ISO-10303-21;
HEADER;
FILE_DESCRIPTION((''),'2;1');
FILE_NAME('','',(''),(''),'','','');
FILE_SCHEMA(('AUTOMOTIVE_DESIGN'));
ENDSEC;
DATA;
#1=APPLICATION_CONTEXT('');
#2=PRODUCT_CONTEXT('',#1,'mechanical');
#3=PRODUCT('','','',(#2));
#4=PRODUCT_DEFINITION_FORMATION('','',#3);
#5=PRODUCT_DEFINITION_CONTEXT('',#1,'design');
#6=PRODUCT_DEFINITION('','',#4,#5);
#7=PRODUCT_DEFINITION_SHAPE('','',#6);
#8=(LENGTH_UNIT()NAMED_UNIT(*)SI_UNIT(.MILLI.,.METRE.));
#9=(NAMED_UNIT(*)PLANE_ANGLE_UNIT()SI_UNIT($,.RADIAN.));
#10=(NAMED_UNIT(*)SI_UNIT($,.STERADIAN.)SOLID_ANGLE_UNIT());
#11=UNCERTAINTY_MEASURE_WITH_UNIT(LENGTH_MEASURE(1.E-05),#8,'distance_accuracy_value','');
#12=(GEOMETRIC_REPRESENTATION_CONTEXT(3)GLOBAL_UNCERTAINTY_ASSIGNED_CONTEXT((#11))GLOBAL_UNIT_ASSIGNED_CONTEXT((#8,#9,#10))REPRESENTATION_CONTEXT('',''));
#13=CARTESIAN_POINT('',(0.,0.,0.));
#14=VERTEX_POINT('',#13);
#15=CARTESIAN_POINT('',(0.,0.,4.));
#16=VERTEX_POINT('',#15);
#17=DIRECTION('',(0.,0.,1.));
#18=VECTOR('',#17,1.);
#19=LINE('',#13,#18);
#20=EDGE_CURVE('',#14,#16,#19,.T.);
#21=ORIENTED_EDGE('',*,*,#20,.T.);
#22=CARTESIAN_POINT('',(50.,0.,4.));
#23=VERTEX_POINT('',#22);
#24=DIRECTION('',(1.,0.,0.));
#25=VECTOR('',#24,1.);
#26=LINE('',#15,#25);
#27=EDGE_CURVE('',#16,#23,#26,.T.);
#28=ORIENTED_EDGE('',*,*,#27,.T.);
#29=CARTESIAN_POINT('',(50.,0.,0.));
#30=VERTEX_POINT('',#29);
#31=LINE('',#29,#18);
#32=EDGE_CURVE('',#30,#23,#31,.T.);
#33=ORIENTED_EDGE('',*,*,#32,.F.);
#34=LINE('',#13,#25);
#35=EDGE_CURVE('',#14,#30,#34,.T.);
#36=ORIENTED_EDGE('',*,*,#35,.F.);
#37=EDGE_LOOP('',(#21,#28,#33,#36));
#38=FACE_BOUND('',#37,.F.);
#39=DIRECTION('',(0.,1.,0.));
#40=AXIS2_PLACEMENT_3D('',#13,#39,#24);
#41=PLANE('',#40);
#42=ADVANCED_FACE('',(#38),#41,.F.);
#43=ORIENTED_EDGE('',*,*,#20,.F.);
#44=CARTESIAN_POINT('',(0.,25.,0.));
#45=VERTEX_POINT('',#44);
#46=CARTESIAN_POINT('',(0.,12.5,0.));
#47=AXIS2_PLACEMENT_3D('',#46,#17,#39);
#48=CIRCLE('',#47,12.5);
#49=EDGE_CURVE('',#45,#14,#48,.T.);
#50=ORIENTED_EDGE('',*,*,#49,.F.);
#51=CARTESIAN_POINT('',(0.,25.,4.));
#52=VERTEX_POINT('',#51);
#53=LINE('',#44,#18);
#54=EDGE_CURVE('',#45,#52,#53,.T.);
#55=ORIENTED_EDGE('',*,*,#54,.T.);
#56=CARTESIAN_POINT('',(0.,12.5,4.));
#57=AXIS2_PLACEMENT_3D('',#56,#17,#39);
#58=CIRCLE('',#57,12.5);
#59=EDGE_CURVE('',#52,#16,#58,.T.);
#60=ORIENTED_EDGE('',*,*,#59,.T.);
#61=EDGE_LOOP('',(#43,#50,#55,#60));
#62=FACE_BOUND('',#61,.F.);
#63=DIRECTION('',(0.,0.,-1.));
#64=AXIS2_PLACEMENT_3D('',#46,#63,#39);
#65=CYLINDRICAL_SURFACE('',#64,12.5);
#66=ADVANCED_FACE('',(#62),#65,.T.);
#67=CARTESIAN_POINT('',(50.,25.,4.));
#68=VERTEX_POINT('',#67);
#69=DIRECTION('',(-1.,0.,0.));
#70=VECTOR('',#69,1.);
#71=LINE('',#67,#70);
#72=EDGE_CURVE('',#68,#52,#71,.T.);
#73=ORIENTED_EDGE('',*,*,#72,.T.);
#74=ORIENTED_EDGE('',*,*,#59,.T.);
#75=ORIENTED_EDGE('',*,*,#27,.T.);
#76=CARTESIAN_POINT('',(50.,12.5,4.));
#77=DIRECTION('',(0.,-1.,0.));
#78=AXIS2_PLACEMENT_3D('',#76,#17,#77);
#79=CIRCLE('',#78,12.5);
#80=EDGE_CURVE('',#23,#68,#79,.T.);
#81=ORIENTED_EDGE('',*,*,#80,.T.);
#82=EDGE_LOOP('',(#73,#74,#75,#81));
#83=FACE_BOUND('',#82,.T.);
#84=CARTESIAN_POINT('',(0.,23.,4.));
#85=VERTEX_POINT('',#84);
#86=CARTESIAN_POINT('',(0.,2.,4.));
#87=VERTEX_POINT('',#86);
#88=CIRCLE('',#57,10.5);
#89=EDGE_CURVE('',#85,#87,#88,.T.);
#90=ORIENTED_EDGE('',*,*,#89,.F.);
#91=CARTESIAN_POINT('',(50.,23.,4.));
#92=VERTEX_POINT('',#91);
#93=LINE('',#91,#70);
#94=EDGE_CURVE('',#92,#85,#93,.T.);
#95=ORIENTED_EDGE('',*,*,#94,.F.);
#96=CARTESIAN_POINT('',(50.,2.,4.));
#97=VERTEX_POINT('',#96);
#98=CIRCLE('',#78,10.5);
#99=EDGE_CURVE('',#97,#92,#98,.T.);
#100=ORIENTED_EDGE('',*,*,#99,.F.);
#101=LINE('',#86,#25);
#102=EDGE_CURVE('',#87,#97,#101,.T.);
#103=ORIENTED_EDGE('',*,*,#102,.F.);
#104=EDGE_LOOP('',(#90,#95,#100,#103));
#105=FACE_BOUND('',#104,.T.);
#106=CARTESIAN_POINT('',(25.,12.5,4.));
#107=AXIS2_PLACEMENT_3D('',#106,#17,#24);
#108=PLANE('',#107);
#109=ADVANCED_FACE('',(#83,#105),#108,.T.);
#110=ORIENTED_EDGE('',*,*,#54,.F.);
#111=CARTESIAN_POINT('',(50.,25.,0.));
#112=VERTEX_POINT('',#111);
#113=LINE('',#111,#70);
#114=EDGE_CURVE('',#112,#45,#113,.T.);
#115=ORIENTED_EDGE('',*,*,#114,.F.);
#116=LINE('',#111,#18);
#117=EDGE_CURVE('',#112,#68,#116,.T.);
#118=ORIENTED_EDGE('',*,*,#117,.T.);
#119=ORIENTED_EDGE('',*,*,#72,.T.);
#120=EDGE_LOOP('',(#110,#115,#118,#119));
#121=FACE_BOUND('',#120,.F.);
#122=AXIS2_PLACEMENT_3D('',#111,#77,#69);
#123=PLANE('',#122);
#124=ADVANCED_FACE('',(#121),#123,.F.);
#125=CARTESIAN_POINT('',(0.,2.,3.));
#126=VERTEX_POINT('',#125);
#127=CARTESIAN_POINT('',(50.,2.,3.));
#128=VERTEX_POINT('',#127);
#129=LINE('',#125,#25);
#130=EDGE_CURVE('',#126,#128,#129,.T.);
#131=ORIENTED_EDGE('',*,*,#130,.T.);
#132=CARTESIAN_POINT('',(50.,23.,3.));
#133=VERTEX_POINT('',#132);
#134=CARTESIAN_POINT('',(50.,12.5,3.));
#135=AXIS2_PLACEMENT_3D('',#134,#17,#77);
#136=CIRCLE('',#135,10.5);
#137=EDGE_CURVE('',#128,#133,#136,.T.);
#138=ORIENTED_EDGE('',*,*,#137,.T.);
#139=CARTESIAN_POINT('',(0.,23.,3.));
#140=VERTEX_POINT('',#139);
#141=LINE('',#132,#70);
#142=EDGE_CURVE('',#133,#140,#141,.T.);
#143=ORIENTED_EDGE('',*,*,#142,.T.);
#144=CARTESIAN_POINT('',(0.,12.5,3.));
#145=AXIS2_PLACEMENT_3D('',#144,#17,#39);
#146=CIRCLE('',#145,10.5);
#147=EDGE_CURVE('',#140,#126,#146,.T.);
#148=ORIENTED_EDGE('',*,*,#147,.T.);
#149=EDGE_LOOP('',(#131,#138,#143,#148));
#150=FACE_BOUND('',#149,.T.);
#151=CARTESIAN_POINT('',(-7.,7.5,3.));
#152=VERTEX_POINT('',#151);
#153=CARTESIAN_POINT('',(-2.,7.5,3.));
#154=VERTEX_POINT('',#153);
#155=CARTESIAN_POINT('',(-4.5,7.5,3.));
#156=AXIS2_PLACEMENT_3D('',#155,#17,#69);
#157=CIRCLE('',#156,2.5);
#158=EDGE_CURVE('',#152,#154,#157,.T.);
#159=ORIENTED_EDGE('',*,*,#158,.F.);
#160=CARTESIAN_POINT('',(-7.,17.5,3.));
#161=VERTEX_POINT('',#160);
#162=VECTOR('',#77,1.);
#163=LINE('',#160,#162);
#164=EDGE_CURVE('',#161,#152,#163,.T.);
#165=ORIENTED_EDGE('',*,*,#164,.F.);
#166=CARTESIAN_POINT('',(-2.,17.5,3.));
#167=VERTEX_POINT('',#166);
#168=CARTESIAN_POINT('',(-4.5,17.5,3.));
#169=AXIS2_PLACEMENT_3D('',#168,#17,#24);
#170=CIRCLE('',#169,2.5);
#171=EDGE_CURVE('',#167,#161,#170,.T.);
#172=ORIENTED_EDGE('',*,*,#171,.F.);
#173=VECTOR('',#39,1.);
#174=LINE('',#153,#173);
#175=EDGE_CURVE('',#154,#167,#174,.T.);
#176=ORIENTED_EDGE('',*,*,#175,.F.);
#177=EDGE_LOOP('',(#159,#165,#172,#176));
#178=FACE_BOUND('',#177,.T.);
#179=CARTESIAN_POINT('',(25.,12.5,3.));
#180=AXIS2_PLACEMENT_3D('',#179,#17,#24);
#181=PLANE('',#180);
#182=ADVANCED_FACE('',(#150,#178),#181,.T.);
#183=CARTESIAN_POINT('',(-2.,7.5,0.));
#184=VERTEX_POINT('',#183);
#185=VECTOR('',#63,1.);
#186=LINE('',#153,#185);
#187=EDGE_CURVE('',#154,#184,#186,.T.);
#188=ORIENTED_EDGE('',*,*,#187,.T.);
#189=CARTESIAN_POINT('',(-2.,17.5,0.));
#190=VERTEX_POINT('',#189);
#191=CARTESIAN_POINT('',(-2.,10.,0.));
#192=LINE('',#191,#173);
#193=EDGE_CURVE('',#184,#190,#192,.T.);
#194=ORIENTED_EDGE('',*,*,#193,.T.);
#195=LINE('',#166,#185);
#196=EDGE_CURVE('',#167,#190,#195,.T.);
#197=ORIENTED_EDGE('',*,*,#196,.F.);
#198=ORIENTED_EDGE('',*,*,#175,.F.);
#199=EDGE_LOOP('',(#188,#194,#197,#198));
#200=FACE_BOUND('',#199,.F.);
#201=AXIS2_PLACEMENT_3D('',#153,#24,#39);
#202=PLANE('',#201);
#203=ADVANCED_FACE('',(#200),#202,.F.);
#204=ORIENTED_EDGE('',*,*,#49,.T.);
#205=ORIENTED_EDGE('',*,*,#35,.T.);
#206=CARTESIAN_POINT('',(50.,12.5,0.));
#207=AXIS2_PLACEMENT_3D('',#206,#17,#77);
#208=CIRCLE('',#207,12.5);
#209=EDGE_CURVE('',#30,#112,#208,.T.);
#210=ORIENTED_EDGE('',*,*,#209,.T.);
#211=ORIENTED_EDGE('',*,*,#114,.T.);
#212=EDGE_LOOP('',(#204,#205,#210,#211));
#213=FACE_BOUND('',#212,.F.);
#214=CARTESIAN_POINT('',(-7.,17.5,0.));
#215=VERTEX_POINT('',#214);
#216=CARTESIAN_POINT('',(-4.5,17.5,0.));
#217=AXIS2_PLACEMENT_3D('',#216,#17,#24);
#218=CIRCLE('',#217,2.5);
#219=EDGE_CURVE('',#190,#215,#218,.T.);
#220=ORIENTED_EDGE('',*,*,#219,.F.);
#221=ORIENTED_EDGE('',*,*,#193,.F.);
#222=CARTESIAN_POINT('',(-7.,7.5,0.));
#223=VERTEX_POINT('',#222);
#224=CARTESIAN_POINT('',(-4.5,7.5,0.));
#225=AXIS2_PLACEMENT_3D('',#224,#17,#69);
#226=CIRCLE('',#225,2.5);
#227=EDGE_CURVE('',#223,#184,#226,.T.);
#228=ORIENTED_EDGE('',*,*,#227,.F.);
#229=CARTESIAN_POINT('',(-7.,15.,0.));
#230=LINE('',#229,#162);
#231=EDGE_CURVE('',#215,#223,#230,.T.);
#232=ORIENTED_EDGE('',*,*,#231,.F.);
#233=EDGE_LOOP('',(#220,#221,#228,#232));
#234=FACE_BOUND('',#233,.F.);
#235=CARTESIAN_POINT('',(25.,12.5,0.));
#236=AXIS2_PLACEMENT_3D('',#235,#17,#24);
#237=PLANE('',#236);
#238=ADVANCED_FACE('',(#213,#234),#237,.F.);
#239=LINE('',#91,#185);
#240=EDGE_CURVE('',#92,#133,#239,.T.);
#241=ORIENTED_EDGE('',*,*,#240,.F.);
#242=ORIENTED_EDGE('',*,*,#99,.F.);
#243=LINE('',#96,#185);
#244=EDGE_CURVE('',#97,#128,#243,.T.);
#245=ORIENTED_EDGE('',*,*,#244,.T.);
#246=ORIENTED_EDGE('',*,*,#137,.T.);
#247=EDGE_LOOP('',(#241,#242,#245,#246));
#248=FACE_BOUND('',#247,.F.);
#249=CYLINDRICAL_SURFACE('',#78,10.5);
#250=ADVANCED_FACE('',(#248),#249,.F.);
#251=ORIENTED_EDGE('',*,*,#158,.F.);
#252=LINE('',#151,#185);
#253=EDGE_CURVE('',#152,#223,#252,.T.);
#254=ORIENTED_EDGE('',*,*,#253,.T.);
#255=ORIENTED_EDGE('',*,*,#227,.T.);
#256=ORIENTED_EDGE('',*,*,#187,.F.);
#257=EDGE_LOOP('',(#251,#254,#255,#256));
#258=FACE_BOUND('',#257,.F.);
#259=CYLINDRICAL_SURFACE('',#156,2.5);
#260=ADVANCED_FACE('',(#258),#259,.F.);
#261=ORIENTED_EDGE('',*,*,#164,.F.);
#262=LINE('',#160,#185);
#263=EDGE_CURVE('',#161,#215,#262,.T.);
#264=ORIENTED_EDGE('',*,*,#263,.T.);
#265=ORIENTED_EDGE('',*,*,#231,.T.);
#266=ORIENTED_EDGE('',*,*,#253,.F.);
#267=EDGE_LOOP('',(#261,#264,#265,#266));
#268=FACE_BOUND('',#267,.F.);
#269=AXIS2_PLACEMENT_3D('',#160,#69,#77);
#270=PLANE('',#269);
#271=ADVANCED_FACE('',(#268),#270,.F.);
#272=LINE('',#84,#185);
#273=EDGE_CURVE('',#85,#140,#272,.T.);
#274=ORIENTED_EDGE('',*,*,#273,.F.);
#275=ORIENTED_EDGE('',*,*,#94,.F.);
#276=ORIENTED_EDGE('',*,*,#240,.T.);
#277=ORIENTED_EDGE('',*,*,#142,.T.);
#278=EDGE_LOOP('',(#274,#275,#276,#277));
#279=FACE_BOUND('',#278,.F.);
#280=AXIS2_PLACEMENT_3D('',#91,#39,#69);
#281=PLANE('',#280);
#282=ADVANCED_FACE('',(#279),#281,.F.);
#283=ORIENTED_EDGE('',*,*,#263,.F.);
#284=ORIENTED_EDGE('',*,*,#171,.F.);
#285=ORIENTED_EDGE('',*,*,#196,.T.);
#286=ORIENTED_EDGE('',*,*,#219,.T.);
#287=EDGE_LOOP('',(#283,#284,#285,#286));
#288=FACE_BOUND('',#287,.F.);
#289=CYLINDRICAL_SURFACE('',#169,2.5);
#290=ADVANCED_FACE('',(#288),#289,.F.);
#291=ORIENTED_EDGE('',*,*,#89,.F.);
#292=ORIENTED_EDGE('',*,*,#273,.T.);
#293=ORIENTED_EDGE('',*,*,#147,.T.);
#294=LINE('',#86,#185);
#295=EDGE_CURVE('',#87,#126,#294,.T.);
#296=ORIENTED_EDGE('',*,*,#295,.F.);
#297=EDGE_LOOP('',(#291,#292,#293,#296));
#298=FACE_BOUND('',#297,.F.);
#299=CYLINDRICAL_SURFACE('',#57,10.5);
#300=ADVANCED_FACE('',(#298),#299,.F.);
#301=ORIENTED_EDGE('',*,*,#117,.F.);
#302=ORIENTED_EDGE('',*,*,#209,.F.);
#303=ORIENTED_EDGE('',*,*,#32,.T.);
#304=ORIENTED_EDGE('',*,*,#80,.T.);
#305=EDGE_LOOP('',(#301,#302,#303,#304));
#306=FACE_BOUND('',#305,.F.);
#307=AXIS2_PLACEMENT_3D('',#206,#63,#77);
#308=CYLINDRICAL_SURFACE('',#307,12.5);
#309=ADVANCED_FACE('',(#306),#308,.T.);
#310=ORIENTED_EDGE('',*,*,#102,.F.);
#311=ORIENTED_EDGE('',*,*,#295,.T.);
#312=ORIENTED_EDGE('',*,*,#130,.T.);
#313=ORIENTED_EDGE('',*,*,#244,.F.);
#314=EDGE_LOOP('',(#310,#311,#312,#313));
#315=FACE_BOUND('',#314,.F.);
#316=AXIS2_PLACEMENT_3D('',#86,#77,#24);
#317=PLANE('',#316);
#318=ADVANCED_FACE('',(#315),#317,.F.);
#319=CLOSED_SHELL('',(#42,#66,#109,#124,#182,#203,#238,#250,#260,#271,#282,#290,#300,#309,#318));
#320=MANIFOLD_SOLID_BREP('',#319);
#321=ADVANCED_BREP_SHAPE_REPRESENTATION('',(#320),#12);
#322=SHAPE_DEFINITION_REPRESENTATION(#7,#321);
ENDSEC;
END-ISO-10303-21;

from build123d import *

# Parameters (mm, degrees)
PAD_DEPTH       = 4
POCKET_DEPTH    = 1
POCKET001_DEPTH = 3.001


with BuildPart() as part:
    # Sketch → Pad (new body)
    with BuildSketch(Plane.XY):
        with BuildLine():
            Line((0, 0), (50, 0))
            ThreePointArc((50, 0), (62.5, 12.5), (50, 25))
            Line((50, 25), (0, 25))
            ThreePointArc((0, 25), (-12.5, 12.5), (0, 0))
        make_face()
    extrude(amount=PAD_DEPTH)

    # Sketch001 (on Face6 of Pad) → Pocket (cut)
    with BuildSketch(Plane.XY.offset(4)):
        with BuildLine():
            Line((0, 2), (50, 2))
            ThreePointArc((50, 2), (60.5, 12.5), (50, 23))
            Line((50, 23), (0, 23))
            ThreePointArc((0, 23), (-10.5, 12.5), (0, 2))
        make_face()
    extrude(amount=-POCKET_DEPTH, mode=Mode.SUBTRACT)

    # Sketch002 (on Face11 of Pocket) → Pocket001 (cut, through all)
    with BuildSketch(Plane.XY.offset(3)):
        with BuildLine():
            ThreePointArc((-2, 17.5), (-4.5, 20), (-7, 17.5))
            Line((-7, 17.5), (-7, 7.5))
            ThreePointArc((-7, 7.5), (-4.5, 5), (-2, 7.5))
            Line((-2, 7.5), (-2, 17.5))
        make_face()
    extrude(amount=-POCKET001_DEPTH, mode=Mode.SUBTRACT)


solid = part.part
